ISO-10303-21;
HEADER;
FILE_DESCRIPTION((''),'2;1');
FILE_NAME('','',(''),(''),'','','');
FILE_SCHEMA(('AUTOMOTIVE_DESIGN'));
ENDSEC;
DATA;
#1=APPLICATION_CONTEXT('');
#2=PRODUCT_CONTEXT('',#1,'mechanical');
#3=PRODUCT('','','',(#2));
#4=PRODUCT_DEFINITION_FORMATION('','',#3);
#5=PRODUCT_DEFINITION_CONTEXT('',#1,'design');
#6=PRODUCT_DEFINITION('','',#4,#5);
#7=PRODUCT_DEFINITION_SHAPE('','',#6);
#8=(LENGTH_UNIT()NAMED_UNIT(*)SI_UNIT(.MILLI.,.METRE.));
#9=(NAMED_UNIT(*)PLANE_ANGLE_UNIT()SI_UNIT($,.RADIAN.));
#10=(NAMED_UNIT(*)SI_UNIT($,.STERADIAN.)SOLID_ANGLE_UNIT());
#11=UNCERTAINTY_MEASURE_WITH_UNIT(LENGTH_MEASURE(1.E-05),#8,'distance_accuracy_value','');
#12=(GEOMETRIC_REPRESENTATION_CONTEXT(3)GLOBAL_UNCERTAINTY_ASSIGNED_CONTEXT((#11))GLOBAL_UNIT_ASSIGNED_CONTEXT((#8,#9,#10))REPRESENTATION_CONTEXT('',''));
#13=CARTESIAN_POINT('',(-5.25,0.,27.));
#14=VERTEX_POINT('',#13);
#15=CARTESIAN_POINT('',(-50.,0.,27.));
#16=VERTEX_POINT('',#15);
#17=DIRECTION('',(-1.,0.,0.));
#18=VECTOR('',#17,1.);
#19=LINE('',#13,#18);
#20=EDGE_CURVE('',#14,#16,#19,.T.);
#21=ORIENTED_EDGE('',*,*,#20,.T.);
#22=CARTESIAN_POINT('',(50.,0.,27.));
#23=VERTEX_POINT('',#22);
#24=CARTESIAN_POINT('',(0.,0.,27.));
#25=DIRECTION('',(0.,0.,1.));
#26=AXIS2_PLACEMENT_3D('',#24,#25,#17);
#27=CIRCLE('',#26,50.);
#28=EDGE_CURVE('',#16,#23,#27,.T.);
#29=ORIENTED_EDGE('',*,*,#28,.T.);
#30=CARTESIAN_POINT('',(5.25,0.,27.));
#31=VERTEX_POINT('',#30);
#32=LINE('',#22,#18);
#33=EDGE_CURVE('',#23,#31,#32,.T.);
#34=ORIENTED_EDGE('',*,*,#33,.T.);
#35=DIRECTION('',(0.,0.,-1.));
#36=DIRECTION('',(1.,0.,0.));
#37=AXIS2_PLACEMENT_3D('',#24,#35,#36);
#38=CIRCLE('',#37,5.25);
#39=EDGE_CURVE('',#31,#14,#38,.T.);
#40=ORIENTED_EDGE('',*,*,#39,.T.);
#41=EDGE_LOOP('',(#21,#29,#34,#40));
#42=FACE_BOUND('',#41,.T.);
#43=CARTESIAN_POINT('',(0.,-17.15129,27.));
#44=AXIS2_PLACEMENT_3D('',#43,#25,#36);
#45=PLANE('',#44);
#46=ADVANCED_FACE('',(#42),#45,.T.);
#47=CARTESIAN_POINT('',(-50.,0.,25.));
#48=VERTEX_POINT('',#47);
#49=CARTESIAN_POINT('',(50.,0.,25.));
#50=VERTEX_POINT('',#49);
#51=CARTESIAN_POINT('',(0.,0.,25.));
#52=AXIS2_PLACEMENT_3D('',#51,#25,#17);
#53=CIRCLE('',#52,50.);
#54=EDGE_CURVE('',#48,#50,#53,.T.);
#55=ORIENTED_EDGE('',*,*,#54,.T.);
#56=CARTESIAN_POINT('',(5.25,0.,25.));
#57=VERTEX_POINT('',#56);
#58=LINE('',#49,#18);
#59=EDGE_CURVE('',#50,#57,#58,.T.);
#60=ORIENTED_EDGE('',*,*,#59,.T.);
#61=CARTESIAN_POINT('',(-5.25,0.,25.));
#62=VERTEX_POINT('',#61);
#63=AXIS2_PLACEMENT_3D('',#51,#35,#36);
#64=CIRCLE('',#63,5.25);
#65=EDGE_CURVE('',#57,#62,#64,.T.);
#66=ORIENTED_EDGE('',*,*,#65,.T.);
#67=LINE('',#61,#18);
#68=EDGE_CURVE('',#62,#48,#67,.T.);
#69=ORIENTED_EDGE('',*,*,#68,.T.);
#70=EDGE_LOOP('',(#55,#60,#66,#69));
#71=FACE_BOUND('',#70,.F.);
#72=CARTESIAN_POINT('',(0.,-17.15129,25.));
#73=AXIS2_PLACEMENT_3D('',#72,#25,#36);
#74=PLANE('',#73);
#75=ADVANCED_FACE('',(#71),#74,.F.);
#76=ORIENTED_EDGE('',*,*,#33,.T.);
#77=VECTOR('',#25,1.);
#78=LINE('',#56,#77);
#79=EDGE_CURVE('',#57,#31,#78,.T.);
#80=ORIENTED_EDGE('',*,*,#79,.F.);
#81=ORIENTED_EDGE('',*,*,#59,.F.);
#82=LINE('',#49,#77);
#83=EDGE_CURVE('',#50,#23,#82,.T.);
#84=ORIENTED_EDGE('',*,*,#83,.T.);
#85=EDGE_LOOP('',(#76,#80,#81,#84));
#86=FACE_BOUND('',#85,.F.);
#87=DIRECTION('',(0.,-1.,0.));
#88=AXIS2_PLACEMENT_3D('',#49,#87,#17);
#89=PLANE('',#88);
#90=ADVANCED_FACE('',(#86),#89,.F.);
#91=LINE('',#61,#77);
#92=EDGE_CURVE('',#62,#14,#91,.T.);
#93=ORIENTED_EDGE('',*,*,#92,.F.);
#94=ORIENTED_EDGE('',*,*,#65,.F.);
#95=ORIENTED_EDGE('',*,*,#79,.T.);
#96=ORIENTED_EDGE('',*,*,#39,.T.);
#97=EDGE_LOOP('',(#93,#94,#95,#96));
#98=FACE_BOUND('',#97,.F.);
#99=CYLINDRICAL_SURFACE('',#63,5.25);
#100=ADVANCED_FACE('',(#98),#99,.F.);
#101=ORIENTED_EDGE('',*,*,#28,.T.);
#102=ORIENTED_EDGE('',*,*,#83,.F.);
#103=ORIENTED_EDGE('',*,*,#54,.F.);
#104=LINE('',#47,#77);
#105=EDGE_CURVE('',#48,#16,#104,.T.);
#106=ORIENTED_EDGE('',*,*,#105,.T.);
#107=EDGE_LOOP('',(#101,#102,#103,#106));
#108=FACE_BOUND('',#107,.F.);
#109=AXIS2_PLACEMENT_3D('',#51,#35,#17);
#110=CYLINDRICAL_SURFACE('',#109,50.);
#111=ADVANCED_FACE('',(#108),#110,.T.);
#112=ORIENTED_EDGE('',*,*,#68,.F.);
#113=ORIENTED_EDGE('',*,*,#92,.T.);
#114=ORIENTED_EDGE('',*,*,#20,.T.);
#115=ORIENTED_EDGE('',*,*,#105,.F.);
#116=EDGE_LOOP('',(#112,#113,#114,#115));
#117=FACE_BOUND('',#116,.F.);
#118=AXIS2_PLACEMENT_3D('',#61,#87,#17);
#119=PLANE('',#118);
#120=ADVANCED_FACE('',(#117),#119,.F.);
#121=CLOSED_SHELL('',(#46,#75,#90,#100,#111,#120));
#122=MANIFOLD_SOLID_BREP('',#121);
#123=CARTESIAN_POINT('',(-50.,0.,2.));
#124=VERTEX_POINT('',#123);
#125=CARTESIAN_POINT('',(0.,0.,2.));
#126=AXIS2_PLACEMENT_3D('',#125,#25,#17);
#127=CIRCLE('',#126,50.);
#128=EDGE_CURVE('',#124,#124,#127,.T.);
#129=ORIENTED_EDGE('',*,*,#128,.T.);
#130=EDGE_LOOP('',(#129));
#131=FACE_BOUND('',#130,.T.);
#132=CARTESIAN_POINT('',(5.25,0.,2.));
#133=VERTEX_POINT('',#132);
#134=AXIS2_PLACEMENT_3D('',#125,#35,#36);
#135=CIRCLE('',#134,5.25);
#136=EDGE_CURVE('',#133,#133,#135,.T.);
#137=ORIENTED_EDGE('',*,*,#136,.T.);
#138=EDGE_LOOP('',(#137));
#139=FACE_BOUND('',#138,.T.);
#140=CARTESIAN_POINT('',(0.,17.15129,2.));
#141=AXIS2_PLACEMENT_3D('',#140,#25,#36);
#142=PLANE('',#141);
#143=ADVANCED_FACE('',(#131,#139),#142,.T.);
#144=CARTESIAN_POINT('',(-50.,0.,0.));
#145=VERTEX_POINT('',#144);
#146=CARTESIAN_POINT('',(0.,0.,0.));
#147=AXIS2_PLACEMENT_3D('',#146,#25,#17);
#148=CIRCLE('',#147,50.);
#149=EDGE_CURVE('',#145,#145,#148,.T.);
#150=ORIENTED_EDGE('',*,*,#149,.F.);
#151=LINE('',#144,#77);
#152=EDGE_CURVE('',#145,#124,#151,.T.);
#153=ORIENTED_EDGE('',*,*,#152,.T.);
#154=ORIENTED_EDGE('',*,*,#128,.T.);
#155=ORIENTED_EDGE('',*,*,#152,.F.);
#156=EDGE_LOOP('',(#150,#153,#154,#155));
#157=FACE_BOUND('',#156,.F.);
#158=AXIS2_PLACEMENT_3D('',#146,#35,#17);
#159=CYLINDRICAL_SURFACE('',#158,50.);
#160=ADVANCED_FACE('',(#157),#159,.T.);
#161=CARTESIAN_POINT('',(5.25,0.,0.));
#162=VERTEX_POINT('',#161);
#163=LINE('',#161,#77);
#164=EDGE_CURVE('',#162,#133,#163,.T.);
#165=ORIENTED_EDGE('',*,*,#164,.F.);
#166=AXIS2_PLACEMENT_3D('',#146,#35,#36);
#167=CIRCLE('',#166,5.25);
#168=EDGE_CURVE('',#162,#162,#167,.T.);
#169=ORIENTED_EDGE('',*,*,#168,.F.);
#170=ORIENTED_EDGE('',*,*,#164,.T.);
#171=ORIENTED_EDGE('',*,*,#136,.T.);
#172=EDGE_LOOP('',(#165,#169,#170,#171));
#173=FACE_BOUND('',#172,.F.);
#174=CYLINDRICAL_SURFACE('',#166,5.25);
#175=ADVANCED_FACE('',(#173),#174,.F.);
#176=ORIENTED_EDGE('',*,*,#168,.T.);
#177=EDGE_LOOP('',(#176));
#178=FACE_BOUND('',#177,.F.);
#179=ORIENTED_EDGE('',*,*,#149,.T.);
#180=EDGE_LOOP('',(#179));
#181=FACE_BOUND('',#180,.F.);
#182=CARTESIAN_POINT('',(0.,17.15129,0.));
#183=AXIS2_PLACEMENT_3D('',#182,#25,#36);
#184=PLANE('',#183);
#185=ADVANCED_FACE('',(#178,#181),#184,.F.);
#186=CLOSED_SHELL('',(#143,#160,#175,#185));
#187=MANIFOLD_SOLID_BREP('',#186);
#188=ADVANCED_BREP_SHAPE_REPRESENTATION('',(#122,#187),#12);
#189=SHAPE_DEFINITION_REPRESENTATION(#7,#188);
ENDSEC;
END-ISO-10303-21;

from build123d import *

# Parameters (mm, degrees)
F3_DEPTH = 2
F4_DEPTH = 2


with BuildPart() as f3:
    # F2 (on offset) → F3 (new body)
    with BuildSketch(Plane.XY.offset(25)):
        with BuildLine():
            ThreePointArc((5.25, 0), (0, -5.25), (-5.25, 0))
            Line((-5.25, 0), (-50, 0))
            ThreePointArc((-50, 0), (0, -50), (50, 0))
            Line((50, 0), (5.25, 0))
        make_face()
    extrude(amount=F3_DEPTH)


with BuildPart() as f4:
    # F0 (on Top) → F4 (new body)
    with BuildSketch(Plane.XY):
        with BuildLine():
            Line((5.25, 0), (50, 0))
            ThreePointArc((50, 0), (0, 50), (-50, 0))
            Line((-50, 0), (-5.25, 0))
            ThreePointArc((-5.25, 0), (0, 5.25), (5.25, 0))
        make_face()
        with BuildLine():
            ThreePointArc((-50, 0), (0, -50), (50, 0))
            Line((50, 0), (5.25, 0))
            ThreePointArc((5.25, 0), (0, -5.25), (-5.25, 0))
            Line((-5.25, 0), (-50, 0))
        make_face()
    extrude(amount=F4_DEPTH)


solid = Compound([f3.part, f4.part])
